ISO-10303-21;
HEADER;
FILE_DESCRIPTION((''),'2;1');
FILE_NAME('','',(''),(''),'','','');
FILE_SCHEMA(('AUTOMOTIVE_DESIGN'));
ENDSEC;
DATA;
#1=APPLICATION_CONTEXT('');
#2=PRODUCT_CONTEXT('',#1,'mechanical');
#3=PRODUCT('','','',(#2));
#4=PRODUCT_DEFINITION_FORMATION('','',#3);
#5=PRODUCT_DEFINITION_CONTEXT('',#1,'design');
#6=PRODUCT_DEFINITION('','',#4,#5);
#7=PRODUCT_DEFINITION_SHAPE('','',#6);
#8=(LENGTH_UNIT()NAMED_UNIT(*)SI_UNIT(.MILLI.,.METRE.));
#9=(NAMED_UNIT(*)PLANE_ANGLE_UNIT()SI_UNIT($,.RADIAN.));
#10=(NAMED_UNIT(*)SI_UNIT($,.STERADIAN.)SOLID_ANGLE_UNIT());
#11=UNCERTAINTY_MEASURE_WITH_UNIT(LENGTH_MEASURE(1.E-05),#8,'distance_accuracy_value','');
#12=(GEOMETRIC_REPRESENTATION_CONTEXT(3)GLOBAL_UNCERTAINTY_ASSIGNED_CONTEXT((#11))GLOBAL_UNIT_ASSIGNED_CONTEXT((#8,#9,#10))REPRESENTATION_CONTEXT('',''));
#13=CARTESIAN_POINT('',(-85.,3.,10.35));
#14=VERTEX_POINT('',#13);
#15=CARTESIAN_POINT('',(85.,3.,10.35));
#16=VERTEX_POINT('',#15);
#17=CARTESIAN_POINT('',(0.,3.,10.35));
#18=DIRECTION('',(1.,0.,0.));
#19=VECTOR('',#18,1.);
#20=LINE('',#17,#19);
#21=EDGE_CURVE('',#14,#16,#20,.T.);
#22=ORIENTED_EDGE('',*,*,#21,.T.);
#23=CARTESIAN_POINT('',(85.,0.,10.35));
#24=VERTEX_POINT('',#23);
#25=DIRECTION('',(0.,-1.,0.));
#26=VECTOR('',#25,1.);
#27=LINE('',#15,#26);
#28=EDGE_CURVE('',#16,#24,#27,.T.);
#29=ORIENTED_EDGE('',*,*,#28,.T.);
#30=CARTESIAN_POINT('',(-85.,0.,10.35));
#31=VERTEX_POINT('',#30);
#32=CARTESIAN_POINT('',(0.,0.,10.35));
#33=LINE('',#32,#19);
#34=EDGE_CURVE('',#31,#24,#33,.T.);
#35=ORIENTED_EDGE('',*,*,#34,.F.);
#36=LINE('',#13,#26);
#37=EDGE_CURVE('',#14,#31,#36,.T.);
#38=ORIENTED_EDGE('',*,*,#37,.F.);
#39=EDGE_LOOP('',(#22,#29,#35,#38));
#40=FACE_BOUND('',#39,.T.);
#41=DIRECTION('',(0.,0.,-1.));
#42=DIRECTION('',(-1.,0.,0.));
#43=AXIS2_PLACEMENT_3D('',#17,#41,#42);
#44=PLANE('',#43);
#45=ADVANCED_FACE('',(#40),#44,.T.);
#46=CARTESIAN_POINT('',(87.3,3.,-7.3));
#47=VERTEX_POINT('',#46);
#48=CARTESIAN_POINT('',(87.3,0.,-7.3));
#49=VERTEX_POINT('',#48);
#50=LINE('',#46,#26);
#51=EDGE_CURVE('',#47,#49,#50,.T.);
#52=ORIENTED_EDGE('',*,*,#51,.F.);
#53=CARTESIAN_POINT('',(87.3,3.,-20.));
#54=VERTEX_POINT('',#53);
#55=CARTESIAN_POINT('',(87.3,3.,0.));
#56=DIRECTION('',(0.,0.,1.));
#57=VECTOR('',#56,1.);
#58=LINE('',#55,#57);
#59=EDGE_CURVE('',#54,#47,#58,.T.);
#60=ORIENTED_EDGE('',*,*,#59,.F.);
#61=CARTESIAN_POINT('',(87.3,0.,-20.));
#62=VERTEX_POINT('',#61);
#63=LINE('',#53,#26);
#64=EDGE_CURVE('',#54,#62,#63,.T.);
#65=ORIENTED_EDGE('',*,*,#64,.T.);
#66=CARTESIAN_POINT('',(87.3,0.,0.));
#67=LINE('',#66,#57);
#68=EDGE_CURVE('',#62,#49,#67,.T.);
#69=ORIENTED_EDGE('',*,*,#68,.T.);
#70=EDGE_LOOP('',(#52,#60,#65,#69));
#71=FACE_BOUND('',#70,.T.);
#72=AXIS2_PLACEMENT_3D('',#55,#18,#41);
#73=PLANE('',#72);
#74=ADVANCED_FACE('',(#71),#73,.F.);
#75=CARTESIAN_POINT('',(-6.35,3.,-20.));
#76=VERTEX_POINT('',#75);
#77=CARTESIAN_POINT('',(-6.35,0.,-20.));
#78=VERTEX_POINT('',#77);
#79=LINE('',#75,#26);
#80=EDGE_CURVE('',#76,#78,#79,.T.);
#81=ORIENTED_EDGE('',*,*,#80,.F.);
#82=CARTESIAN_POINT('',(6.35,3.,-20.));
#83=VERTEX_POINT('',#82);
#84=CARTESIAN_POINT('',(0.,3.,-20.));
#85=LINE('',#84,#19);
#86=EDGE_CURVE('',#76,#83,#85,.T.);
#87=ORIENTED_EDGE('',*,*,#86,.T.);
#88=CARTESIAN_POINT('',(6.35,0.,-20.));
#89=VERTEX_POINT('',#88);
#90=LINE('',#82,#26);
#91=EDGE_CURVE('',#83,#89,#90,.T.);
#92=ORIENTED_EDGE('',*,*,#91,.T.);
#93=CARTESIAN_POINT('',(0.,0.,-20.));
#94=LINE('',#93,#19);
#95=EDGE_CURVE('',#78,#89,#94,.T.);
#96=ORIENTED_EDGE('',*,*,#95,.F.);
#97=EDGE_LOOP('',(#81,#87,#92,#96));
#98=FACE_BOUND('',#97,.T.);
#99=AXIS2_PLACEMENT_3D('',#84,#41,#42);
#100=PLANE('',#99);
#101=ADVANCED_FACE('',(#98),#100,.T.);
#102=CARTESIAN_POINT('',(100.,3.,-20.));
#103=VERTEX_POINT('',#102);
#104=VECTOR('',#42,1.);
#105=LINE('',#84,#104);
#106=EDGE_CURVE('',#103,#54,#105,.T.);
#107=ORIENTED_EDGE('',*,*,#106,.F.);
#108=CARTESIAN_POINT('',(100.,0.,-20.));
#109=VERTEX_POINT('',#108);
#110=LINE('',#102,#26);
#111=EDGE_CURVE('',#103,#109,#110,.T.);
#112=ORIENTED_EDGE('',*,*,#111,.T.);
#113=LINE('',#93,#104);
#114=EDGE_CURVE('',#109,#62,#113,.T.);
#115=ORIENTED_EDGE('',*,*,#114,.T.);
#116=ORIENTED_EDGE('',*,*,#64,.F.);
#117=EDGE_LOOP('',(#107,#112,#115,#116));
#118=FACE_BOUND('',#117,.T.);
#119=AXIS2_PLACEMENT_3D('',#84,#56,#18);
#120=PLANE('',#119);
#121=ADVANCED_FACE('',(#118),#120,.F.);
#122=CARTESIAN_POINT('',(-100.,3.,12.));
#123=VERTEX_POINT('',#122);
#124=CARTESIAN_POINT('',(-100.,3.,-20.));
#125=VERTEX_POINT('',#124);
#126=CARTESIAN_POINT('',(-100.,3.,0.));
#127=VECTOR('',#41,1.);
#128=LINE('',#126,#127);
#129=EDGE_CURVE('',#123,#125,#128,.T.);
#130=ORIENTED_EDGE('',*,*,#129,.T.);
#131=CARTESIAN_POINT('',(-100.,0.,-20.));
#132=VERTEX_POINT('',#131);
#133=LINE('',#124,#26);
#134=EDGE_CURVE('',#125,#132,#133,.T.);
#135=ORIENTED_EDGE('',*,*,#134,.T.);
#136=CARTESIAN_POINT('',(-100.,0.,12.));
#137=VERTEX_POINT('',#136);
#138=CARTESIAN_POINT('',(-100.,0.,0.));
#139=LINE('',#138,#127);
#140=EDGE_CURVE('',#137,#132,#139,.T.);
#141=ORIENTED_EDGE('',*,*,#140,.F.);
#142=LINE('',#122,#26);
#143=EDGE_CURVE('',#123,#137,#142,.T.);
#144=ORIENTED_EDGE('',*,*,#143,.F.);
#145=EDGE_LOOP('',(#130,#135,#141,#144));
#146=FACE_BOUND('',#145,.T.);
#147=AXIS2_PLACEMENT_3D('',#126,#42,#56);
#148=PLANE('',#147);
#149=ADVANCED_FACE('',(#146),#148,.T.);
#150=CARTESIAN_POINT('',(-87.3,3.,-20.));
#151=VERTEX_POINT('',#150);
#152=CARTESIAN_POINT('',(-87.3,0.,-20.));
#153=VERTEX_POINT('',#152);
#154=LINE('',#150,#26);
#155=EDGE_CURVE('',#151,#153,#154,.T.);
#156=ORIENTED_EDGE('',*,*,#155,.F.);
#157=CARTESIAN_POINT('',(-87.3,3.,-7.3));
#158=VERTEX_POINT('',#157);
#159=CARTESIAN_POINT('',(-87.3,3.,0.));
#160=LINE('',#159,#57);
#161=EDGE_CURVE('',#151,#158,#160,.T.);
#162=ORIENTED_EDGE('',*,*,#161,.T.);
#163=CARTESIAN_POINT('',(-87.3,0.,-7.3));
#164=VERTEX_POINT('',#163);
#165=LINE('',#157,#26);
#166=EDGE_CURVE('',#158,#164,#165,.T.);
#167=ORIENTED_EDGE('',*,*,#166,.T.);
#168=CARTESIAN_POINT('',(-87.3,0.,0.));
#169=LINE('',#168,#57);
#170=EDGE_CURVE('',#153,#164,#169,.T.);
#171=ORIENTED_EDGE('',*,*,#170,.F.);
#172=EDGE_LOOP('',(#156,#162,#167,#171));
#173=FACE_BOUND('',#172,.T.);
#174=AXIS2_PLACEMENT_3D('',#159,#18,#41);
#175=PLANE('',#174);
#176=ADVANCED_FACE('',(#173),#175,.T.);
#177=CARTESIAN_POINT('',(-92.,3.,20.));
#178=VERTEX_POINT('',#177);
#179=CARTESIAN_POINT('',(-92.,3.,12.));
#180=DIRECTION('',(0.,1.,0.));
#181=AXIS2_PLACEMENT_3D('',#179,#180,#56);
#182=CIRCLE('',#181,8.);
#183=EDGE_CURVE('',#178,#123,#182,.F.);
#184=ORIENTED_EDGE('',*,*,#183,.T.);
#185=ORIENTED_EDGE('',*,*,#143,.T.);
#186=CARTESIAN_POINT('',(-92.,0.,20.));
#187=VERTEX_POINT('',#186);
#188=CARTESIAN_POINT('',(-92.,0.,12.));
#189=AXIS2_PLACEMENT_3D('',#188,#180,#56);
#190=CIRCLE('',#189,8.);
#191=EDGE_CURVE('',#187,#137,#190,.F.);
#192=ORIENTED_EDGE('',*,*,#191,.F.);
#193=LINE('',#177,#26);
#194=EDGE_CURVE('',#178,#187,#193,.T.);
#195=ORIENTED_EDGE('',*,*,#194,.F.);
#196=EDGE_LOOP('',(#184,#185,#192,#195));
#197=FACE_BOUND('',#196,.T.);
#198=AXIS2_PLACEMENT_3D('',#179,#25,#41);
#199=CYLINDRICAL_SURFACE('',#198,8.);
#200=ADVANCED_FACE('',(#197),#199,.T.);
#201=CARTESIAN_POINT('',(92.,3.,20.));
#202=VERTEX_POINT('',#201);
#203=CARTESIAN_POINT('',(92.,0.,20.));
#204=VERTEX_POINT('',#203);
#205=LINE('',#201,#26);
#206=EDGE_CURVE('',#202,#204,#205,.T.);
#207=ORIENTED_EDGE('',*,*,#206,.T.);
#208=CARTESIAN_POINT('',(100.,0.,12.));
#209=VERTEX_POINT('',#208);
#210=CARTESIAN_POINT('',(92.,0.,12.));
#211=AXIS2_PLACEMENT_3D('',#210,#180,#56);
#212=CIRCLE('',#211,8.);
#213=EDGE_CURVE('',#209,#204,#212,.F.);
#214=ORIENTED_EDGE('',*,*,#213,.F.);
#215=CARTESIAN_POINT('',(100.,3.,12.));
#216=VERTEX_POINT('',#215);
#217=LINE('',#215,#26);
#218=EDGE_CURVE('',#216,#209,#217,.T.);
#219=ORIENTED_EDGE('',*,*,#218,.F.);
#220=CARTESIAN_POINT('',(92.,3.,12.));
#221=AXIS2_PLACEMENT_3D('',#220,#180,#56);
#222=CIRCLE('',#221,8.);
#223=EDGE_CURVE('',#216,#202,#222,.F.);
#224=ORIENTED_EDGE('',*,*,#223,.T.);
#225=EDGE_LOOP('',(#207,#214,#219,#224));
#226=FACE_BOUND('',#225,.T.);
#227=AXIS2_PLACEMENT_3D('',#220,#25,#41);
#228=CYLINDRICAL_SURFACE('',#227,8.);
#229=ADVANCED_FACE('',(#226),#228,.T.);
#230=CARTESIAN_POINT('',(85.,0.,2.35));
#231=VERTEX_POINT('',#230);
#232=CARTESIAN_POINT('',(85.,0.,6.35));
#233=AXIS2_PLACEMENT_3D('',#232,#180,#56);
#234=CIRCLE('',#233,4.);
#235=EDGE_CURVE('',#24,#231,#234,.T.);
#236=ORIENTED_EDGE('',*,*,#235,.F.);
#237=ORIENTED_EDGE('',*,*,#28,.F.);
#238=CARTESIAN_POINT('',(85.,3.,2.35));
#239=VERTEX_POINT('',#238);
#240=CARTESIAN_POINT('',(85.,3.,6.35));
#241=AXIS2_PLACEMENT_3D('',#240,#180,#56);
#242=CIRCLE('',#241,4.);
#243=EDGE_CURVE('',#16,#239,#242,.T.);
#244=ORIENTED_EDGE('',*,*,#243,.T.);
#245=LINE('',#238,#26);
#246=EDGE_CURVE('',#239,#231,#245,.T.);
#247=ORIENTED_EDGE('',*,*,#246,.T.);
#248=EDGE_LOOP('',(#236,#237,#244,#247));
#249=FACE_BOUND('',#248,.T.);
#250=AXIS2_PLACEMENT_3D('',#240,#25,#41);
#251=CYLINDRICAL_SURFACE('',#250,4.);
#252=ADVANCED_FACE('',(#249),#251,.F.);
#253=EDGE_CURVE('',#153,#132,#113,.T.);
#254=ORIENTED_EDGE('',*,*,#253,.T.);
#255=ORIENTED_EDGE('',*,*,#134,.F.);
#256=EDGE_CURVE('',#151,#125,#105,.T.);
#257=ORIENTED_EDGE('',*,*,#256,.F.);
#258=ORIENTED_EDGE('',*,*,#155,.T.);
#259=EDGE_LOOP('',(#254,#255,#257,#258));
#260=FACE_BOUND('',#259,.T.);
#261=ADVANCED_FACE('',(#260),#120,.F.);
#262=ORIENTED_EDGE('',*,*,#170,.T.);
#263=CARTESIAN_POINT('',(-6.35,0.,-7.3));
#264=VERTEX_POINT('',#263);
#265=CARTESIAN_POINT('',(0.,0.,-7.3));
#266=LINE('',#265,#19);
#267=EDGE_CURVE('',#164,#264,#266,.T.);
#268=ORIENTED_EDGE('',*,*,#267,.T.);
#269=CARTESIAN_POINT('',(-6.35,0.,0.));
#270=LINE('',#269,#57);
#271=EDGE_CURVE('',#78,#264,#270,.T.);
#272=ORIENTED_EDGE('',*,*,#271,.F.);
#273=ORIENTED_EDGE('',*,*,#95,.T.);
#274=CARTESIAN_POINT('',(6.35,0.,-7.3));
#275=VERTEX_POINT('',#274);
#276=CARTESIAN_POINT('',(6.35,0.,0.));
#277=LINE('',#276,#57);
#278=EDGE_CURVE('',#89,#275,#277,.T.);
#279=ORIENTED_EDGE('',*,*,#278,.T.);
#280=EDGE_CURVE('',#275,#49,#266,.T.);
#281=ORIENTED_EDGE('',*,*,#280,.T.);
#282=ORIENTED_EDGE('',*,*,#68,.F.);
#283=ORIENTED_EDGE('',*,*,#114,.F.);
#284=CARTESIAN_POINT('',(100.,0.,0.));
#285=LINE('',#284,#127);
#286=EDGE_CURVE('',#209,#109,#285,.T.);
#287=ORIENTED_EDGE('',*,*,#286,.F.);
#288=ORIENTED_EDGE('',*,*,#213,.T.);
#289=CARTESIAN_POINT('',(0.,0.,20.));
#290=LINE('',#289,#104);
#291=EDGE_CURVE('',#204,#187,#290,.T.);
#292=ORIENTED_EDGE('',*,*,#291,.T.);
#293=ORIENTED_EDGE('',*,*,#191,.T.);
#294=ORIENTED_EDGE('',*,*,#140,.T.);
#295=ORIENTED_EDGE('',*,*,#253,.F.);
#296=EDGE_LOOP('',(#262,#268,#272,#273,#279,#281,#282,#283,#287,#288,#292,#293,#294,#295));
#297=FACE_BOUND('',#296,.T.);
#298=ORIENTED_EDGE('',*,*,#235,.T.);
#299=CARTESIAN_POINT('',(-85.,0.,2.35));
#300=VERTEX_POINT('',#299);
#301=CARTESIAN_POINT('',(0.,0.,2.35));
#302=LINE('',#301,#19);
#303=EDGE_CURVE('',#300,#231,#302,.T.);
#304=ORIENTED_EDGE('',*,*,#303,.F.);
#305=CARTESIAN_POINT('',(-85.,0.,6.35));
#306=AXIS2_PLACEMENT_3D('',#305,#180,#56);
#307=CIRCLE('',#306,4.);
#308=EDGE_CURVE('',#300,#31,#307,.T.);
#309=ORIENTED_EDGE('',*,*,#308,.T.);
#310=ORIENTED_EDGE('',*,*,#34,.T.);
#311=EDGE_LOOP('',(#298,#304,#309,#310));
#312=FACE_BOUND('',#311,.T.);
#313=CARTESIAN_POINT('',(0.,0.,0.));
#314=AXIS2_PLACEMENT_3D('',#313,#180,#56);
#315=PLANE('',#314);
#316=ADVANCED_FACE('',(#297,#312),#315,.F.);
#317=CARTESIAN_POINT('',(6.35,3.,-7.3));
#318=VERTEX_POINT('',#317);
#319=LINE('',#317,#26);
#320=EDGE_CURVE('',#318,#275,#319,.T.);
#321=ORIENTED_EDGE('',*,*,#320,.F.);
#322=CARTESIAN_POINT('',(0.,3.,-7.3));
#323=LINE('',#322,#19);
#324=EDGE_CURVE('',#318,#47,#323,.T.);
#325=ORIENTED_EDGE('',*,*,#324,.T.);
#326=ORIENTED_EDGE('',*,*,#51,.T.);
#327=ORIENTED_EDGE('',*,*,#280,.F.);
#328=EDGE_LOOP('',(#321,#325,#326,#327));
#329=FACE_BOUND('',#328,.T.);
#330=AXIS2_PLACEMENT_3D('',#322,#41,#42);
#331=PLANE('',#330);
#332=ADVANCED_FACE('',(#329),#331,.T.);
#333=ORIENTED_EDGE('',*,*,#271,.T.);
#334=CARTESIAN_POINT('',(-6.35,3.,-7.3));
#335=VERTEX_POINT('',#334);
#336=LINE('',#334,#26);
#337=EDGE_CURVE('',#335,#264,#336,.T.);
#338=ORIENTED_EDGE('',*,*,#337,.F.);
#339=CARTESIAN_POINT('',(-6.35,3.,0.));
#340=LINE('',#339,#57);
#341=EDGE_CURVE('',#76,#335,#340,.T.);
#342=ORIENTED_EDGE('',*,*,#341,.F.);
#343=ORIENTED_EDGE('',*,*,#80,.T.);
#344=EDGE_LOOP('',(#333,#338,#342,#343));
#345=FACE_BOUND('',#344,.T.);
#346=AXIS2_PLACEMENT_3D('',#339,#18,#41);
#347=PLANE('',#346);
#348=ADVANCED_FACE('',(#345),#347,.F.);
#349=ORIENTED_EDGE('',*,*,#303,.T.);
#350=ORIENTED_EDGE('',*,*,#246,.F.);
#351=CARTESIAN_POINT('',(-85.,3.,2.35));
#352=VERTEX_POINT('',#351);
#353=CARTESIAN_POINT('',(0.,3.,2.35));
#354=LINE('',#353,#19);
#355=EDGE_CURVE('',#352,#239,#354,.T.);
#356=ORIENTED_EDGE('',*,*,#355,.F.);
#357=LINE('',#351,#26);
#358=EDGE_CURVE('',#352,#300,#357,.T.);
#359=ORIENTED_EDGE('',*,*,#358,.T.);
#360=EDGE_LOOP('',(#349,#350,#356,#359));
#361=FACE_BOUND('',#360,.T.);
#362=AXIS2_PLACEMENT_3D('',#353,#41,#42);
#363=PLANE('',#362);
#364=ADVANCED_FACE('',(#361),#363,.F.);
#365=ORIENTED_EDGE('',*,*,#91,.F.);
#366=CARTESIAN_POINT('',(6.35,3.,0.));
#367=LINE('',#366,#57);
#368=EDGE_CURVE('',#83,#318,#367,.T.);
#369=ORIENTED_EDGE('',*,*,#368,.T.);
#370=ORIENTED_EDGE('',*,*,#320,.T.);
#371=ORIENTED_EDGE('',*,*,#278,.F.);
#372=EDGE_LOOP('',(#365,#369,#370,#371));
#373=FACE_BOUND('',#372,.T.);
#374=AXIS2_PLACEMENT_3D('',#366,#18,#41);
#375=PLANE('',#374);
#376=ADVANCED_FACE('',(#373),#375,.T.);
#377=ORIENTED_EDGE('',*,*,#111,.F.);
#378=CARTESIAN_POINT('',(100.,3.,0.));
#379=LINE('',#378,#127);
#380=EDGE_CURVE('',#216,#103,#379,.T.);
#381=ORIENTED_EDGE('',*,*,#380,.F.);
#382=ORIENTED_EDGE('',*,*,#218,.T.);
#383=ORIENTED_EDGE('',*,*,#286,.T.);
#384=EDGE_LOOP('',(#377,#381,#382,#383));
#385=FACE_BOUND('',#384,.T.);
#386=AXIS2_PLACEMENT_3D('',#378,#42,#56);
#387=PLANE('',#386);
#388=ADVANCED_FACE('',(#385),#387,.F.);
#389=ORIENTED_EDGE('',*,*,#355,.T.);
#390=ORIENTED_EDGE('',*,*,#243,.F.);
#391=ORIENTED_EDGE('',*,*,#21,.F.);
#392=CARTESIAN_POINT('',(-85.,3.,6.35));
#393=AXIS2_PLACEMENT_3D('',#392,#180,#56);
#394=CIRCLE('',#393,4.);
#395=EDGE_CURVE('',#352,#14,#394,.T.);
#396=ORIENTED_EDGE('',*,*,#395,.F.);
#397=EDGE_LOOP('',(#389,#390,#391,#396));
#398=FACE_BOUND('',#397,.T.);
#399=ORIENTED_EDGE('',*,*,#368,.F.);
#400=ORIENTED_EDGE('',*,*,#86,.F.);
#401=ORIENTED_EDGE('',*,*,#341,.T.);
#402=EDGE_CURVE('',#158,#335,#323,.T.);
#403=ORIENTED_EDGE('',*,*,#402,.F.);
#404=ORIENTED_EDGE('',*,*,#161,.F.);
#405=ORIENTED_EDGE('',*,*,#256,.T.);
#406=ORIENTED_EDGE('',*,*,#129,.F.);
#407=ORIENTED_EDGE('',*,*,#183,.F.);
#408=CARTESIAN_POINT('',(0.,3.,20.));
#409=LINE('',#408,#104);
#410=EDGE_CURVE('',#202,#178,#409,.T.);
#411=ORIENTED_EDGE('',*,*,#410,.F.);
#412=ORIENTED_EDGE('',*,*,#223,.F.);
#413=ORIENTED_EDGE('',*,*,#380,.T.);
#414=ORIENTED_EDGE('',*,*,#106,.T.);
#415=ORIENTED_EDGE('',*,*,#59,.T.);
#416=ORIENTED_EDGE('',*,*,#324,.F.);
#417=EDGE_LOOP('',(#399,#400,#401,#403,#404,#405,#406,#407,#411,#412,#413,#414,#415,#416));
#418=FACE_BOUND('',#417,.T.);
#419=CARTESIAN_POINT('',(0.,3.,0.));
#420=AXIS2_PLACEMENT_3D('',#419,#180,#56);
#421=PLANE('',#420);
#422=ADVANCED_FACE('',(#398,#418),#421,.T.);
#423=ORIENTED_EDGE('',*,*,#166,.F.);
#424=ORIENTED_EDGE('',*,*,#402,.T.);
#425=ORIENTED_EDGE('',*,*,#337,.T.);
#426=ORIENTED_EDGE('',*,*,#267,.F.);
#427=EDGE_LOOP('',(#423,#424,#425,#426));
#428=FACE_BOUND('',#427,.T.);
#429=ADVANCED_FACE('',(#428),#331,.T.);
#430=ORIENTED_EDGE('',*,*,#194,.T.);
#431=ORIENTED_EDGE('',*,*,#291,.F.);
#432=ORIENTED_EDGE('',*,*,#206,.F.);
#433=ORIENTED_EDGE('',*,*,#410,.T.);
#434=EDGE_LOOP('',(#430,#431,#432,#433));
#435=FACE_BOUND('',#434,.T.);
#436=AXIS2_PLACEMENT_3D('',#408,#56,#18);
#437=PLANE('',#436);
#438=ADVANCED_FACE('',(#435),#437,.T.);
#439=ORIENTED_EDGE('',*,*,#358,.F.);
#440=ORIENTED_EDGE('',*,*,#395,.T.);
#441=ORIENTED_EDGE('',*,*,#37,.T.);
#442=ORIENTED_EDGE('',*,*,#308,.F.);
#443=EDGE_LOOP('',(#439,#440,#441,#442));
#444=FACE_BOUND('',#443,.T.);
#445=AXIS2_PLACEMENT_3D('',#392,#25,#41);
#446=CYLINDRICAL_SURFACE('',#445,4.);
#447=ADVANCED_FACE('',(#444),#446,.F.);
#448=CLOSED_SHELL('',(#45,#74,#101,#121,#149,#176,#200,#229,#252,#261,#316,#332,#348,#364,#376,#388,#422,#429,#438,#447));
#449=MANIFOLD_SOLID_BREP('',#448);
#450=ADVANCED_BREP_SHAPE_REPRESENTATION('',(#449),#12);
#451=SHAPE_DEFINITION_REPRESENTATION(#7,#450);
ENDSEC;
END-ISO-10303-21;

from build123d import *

# Parameters (mm, degrees)
SKETCH1_W           = 12.7
SKETCH1_H           = 12.7
BOSS_EXTRUDE1_DEPTH = 3


with BuildPart() as part:
    # Sketch1 → Boss-Extrude1 (new body)
    # profile 1 of 2: a face of its own
    with BuildSketch(Plane(origin=(0, 0, 0), x_dir=(1, 0, 0), z_dir=(0, 1, 0))):
        with BuildLine():
            ThreePointArc((-92, -20), (-97.656854249, -17.656854249), (-100, -12))
            Line((-100, -12), (-100, 20))
            Line((-100, 20), (-87.3, 20))
            Line((-87.3, 20), (-87.3, 7.3))
            Line((-87.3, 7.3), (87.3, 7.3))
            Line((87.3, 7.3), (87.3, 20))
            Line((87.3, 20), (100, 20))
            Line((100, 20), (100, -12))
            ThreePointArc((100, -12), (97.656854249, -17.656854249), (92, -20))
            Line((92, -20), (-92, -20))
        make_face()
        with BuildLine():
            ThreePointArc((85, -10.35), (89, -6.35), (85, -2.35))
            Line((85, -2.35), (-85, -2.35))
            ThreePointArc((-85, -2.35), (-89, -6.35), (-85, -10.35))
            Line((-85, -10.35), (85, -10.35))
        make_face(mode=Mode.SUBTRACT)
    # profile 2 of 2: a face of its own
    with BuildSketch(Plane(origin=(0, 0, 0), x_dir=(1, 0, 0), z_dir=(0, 1, 0))):
        with Locations((0, 13.65)):
            Rectangle(SKETCH1_W, SKETCH1_H)
    extrude(amount=BOSS_EXTRUDE1_DEPTH)


solid = part.part
